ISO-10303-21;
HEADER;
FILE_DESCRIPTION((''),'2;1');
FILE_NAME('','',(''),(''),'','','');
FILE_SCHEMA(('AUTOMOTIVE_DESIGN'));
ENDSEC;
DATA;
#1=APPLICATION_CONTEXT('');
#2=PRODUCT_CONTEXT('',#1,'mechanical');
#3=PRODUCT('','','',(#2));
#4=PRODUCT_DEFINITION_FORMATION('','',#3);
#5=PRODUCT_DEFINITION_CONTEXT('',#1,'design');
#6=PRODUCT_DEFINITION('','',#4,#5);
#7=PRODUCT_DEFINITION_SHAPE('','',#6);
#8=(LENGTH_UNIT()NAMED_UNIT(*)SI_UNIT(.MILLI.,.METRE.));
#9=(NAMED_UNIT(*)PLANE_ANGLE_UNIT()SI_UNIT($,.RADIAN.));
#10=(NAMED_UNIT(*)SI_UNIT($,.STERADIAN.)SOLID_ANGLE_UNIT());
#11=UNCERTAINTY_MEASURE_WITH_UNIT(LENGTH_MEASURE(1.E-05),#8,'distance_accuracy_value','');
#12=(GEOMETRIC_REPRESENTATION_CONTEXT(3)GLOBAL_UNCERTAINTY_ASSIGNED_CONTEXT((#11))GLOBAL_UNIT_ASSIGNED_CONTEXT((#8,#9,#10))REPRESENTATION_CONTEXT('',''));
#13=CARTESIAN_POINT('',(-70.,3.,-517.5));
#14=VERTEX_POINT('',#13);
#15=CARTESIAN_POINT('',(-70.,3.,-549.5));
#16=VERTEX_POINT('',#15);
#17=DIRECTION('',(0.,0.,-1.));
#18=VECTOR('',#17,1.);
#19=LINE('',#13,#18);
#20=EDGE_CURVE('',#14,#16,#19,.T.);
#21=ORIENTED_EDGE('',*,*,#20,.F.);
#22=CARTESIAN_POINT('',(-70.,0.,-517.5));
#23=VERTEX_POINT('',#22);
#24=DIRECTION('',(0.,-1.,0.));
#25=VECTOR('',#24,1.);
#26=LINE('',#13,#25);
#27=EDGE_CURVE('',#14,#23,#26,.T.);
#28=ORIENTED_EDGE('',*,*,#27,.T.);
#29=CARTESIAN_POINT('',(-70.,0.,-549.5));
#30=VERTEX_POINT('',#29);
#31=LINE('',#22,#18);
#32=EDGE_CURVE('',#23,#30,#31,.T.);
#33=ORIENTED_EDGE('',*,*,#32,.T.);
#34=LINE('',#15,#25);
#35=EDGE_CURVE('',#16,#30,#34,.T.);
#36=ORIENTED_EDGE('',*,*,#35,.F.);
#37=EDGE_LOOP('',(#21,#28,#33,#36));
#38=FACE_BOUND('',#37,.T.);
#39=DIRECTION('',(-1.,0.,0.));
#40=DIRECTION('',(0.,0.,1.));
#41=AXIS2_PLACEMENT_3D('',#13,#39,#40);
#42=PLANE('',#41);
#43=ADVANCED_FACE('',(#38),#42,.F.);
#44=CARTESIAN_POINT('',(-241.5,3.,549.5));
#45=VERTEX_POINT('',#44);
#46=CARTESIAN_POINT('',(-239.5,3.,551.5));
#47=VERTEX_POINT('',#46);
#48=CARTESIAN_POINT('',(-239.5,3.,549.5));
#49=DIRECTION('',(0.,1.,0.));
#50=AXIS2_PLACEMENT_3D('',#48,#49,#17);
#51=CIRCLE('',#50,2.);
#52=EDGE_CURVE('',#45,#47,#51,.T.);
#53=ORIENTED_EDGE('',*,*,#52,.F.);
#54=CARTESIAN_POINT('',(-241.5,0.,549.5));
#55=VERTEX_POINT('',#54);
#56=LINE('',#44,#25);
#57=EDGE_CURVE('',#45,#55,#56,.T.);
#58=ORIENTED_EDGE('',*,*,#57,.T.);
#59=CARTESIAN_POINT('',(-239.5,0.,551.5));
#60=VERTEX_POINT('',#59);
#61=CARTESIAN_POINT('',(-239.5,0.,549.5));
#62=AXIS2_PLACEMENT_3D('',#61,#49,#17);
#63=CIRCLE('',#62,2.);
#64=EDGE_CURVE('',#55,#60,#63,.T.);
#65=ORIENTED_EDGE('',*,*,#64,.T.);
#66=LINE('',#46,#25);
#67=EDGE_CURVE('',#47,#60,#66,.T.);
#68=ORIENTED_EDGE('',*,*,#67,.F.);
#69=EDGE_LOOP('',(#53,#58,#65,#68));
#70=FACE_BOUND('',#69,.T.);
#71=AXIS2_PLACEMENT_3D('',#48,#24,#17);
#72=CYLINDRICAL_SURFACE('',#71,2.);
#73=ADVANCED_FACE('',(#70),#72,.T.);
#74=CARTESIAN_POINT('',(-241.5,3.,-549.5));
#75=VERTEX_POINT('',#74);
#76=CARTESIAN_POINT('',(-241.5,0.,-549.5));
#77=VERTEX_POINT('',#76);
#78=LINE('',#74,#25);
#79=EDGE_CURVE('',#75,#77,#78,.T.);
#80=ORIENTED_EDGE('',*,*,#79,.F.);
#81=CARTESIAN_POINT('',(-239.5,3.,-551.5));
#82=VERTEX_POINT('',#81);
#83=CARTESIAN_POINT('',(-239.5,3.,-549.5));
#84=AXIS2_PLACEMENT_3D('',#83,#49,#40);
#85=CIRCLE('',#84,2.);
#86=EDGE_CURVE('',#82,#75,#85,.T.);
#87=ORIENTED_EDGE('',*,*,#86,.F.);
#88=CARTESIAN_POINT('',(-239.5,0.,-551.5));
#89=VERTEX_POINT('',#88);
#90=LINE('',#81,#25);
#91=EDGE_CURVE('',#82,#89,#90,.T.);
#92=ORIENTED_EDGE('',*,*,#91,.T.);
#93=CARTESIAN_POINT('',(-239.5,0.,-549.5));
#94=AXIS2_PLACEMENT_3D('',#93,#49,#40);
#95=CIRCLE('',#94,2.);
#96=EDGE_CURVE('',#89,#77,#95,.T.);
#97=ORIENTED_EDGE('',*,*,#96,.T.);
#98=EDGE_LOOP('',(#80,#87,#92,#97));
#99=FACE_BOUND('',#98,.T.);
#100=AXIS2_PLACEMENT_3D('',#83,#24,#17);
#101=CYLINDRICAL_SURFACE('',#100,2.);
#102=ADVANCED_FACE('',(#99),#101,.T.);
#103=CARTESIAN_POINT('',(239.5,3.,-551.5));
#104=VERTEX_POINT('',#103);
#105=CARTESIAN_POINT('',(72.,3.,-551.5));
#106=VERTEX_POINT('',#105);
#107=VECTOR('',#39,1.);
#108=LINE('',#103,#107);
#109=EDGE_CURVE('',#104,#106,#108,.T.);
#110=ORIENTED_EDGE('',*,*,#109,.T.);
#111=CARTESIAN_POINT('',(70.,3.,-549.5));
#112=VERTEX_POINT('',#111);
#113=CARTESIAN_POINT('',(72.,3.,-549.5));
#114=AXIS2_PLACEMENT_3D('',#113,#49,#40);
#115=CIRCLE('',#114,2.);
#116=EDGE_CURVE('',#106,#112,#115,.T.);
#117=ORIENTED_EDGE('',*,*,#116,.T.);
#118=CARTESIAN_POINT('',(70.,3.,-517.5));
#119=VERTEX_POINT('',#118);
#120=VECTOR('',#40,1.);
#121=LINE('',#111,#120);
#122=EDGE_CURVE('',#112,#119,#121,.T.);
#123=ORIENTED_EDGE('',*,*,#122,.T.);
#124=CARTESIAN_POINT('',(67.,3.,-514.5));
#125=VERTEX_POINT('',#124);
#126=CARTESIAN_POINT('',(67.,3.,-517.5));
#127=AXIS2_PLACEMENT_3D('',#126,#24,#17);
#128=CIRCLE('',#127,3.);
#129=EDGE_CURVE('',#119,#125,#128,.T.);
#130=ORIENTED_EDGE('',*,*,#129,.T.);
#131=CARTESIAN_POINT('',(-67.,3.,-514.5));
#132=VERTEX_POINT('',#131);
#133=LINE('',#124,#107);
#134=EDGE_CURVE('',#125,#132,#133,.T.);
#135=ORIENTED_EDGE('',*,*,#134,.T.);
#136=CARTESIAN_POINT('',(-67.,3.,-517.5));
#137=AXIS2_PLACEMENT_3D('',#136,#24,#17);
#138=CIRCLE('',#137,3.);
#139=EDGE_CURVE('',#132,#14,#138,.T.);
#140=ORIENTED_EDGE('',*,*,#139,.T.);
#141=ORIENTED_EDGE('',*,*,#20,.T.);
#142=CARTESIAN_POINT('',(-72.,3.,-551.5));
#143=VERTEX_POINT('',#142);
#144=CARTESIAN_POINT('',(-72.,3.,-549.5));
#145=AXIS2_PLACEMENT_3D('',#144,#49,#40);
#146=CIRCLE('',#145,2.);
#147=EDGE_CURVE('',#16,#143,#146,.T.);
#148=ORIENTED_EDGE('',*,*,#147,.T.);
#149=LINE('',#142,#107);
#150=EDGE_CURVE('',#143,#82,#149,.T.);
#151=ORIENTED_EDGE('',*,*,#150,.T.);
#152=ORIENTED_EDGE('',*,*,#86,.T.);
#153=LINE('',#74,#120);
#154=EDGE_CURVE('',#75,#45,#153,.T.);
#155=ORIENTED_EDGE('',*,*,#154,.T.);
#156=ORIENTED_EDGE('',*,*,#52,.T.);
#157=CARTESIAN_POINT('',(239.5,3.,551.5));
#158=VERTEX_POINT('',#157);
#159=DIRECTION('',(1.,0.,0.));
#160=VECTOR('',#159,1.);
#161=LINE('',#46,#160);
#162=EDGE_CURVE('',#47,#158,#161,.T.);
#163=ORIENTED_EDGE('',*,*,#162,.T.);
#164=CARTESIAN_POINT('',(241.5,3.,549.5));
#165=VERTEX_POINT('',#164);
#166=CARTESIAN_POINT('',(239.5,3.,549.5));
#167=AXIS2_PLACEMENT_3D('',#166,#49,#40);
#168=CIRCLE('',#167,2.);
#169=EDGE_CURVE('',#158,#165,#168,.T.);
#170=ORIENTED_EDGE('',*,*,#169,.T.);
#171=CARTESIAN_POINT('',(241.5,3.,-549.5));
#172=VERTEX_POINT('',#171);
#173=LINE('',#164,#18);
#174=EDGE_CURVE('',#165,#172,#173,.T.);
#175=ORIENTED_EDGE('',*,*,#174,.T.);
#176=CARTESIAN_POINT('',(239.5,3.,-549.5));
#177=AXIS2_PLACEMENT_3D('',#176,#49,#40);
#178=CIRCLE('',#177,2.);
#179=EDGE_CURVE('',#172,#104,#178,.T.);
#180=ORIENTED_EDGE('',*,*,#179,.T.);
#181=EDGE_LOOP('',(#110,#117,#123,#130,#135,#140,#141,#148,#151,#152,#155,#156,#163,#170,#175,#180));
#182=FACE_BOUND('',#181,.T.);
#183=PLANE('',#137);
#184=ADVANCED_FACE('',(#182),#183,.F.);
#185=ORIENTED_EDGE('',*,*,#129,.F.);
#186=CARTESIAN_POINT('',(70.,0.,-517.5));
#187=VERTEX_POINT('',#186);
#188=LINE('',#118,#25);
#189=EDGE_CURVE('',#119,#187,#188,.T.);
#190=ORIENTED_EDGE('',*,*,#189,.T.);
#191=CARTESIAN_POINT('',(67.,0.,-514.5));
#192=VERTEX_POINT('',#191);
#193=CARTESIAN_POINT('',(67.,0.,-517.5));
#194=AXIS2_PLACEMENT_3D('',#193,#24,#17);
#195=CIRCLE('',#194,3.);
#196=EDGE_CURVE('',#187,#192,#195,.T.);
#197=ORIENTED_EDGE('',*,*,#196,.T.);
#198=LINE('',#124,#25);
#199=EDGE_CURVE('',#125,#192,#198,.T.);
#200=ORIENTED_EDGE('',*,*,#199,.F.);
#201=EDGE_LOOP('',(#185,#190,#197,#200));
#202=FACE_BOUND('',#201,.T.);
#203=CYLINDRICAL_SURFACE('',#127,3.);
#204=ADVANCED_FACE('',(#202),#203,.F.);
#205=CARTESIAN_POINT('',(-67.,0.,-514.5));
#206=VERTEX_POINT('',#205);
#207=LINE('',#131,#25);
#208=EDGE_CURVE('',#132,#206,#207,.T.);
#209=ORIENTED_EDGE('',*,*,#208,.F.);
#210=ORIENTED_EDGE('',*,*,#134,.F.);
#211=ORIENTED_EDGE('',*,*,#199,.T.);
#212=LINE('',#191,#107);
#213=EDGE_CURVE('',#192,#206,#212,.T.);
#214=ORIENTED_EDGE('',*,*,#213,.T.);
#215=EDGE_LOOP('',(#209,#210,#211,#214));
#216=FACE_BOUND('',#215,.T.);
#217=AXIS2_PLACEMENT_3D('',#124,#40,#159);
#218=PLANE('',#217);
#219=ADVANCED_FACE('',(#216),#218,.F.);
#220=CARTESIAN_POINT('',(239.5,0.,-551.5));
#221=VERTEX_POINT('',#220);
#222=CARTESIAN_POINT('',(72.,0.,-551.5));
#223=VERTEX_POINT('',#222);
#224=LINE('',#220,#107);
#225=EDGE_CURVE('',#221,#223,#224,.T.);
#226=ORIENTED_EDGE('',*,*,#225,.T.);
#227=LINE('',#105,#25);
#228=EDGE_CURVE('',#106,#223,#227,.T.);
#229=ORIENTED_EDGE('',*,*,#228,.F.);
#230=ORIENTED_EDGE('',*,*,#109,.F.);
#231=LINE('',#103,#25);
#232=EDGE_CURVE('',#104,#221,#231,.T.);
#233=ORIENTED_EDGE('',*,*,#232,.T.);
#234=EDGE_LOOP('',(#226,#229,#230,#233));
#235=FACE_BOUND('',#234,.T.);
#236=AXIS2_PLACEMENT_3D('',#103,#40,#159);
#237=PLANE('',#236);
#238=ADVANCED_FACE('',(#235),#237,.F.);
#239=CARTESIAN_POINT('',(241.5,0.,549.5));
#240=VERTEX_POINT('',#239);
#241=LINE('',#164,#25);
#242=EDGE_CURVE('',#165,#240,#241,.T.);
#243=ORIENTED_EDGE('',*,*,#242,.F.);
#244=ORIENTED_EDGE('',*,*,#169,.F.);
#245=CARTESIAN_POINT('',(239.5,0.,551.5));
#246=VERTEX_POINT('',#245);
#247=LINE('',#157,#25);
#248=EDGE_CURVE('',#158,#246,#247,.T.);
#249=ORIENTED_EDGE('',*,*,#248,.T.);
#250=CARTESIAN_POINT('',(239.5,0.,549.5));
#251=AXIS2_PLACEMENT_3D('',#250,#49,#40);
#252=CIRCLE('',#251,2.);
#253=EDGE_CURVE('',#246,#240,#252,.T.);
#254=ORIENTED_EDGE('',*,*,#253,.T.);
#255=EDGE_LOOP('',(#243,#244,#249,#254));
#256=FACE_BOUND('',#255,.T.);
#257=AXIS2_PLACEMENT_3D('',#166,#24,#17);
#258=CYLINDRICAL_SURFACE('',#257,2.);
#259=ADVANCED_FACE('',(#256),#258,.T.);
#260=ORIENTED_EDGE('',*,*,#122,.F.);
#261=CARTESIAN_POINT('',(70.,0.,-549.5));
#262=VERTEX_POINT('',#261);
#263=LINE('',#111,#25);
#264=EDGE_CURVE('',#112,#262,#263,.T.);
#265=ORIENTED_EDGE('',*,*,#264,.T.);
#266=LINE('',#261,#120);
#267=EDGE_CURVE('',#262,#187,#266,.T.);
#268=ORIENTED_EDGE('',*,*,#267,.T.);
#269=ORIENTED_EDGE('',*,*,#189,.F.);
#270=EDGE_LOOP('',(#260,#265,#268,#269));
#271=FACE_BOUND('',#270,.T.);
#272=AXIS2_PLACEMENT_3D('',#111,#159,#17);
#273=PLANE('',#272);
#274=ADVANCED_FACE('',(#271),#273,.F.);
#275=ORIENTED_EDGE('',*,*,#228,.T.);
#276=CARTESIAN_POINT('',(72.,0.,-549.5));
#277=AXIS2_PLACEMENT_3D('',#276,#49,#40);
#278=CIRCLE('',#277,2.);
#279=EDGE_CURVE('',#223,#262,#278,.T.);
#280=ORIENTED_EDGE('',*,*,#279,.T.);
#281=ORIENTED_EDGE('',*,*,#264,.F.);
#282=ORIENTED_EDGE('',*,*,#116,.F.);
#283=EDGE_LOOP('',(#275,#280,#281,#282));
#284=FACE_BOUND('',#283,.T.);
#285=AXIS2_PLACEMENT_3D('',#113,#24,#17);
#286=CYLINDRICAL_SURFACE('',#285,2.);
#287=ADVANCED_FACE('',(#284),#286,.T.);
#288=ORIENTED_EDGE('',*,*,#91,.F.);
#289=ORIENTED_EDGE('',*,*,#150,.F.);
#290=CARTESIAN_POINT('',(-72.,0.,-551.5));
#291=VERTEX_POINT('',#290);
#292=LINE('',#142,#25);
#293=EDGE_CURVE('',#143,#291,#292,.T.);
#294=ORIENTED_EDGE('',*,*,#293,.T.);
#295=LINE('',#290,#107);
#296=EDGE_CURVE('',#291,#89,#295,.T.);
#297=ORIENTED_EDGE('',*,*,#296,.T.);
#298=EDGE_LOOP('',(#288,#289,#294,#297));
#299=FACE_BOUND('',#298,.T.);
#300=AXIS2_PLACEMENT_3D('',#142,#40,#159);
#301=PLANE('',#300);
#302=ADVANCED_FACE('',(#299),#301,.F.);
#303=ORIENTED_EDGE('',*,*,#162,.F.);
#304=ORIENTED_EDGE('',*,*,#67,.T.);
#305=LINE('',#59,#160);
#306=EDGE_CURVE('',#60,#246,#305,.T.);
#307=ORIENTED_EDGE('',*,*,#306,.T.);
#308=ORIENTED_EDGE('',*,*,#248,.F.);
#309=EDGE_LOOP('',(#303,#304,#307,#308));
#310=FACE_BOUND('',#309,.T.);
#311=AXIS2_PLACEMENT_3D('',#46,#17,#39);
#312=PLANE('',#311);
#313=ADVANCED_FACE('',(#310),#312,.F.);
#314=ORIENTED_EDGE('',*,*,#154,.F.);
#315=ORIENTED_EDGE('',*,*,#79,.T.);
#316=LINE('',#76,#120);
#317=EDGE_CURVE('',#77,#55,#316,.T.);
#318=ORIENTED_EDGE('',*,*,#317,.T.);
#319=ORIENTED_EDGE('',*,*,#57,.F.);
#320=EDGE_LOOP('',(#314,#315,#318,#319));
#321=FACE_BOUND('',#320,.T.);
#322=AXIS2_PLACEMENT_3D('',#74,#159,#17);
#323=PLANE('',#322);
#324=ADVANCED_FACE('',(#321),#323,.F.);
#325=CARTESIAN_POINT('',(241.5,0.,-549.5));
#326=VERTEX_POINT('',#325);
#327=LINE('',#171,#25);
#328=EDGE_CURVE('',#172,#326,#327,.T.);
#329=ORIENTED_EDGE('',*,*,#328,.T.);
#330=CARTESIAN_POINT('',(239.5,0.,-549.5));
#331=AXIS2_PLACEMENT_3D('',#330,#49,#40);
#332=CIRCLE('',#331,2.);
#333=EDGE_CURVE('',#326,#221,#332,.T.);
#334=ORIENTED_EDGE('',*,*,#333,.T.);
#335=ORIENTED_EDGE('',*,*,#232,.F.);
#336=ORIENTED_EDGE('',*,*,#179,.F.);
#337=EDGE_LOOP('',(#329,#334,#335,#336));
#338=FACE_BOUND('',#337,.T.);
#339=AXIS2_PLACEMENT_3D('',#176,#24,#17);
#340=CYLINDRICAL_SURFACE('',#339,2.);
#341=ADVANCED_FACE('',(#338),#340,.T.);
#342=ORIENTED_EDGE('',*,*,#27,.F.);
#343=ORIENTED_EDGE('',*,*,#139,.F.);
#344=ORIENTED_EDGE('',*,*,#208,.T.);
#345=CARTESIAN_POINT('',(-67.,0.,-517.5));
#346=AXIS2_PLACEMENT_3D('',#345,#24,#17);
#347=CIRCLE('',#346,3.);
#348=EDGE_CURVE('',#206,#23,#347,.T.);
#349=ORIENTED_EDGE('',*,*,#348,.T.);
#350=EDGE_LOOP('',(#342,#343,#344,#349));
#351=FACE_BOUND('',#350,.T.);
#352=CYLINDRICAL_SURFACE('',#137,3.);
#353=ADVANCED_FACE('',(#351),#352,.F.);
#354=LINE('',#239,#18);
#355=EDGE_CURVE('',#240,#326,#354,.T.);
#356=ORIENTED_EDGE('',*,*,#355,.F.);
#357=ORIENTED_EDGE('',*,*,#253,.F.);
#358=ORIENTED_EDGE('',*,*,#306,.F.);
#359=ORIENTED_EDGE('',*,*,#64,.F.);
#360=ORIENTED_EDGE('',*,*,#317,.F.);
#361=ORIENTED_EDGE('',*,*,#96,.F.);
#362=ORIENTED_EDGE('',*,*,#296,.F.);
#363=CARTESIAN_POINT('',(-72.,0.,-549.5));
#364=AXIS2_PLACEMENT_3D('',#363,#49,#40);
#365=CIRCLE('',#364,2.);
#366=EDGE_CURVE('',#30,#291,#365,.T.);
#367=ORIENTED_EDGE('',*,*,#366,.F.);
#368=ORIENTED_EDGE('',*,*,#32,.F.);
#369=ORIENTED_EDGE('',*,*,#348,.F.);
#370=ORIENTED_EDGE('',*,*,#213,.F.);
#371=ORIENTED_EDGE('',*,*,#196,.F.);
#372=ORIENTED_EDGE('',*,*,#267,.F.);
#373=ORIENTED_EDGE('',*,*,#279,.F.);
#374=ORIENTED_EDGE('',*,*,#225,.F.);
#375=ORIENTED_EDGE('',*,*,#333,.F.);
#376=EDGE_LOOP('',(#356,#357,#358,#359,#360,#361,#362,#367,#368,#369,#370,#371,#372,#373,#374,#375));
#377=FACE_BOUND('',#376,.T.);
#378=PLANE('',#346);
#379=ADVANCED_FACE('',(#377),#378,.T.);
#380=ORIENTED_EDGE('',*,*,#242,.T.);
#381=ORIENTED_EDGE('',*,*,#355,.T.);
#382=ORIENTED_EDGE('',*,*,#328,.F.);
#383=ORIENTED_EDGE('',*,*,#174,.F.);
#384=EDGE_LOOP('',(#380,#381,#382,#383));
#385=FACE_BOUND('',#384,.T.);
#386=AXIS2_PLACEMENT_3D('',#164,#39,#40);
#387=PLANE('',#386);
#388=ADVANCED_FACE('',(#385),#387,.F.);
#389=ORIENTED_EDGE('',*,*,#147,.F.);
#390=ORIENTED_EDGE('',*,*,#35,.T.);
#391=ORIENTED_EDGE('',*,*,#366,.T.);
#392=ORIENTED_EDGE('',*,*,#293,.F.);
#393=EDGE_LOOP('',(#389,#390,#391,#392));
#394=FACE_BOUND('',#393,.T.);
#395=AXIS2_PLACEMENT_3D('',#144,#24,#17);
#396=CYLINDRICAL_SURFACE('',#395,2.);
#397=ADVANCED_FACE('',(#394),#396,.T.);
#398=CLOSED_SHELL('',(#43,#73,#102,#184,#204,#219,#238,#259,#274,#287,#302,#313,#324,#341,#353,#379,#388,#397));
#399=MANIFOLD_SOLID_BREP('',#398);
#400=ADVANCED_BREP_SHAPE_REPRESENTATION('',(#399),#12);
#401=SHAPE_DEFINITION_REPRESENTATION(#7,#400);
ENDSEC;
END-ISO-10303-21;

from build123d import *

# Parameters (mm, degrees)
BOSS_EXTRUDE1_DEPTH = 3


with BuildPart() as part:
    # Sketch2 → Boss-Extrude1 (new body)
    with BuildSketch(Plane(origin=(0, 0, 0), x_dir=(1, 0, 0), z_dir=(0, 1, 0))):
        with BuildLine():
            Line((-239.5, -551.5), (239.5, -551.5))
            ThreePointArc((239.5, -551.5), (240.914213562, -550.914213562), (241.5, -549.5))
            Line((241.5, -549.5), (241.5, 549.5))
            ThreePointArc((241.5, 549.5), (240.914213562, 550.914213562), (239.5, 551.5))
            Line((239.5, 551.5), (72, 551.5))
            ThreePointArc((72, 551.5), (70.585786438, 550.914213562), (70, 549.5))
            Line((70, 549.5), (70, 517.5))
            ThreePointArc((70, 517.5), (69.121320344, 515.378679656), (67, 514.5))
            Line((67, 514.5), (-67, 514.5))
            ThreePointArc((-67, 514.5), (-69.121320344, 515.378679656), (-70, 517.5))
            Line((-70, 517.5), (-70, 549.5))
            ThreePointArc((-70, 549.5), (-70.585786438, 550.914213562), (-72, 551.5))
            Line((-72, 551.5), (-239.5, 551.5))
            ThreePointArc((-239.5, 551.5), (-240.914213562, 550.914213562), (-241.5, 549.5))
            Line((-241.5, 549.5), (-241.5, -549.5))
            ThreePointArc((-241.5, -549.5), (-240.914213562, -550.914213562), (-239.5, -551.5))
        make_face()
    extrude(amount=BOSS_EXTRUDE1_DEPTH)


solid = part.part
